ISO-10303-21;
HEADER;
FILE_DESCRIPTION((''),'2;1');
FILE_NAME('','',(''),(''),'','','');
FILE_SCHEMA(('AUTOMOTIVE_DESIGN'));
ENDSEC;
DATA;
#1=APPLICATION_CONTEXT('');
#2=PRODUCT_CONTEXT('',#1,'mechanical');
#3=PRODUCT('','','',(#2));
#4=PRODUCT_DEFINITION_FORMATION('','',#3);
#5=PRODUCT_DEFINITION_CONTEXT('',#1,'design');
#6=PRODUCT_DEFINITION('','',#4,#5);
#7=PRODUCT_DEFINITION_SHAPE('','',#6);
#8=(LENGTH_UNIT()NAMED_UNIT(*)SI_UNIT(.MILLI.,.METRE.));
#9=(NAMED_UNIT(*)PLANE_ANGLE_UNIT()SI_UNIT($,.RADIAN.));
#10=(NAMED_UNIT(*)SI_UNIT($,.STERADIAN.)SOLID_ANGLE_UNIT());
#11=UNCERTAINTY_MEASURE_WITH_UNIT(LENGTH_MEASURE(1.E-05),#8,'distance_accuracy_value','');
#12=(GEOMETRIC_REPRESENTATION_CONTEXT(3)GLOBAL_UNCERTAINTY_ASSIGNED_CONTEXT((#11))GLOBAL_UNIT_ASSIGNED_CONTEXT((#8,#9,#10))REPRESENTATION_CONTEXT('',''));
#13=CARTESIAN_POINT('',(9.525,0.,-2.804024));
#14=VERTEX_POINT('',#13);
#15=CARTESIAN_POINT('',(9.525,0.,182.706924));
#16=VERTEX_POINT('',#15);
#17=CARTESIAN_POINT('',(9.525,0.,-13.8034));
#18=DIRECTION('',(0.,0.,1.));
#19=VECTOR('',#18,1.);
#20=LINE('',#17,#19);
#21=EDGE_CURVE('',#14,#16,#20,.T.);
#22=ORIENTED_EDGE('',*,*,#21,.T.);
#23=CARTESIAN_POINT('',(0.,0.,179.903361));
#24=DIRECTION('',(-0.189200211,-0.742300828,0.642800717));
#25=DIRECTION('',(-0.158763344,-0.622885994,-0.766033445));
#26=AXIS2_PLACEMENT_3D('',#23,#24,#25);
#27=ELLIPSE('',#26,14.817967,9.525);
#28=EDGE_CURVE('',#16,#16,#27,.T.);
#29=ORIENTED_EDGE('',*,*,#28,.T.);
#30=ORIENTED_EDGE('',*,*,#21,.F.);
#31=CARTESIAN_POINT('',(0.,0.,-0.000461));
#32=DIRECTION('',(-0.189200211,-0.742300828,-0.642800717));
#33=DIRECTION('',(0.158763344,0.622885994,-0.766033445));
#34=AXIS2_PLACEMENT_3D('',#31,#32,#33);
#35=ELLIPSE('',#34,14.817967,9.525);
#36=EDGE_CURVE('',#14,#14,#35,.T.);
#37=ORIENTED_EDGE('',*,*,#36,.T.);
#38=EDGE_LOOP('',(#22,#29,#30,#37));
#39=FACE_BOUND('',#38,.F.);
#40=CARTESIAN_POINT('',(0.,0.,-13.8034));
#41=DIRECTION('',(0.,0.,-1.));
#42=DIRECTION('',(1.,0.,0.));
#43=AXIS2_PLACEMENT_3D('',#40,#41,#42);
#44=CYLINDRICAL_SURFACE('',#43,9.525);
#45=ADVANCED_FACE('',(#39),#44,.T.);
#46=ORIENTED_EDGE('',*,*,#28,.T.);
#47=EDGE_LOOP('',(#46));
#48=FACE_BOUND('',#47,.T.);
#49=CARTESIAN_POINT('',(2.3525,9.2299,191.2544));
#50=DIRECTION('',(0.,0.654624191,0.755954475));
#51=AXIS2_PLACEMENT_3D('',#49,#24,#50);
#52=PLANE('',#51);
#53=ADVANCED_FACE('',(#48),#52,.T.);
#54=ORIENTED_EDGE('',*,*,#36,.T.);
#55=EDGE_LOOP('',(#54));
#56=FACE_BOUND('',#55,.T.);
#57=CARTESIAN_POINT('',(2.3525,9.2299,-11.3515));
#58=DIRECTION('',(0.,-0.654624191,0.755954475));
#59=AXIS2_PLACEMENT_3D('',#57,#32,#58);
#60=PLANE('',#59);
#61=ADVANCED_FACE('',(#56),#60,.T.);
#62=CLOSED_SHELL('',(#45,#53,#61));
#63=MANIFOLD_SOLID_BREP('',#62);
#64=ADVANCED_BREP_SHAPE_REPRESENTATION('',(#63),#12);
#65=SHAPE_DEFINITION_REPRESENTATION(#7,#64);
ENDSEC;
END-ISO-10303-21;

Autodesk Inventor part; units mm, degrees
ref_plane "Start Plane" through (0, 0, -13.8034) normal (0, 0, 1) x (1, 0, 0)
ref_plane "End Plane" through (0, 0, 193.7064) normal (0, 0, 1) x (1, 0, 0)
sketch "Sketch" plane through (0, 0, 0) normal (0, 0, 1) x (1, 0, 0)
  circle A0 centre (0, 0) radius 9.525
  dimension "d0" = 19.05
extrude "Body" add sketch "Sketch" along normal up to surface (207.5098 mm away) from surface at -13.8034
sketch "Sketch2" plane through (0, 0, 0) normal (0, 0, 1) x (1, 0, 0)
  line L0 (0, 0) -> (10, 0)
ref_plane "Work Plane3" through (0, 0, 0) normal (0, -1, 0) x (1, 0, 0)
ref_plane "Work Plane4" through (2.3525, 9.2299, 191.2544) normal (-0.1892, -0.7423, 0.6428) x (0.9782, -0.0855, 0.1892)
split "Split1" plane through (2.3525, 9.2299, 191.2544) removes the side toward (-0.1892, -0.7423, 0.6428)
ref_plane "Work Plane5" through (2.3525, 9.2299, -11.3515) normal (-0.1892, -0.7423, -0.6428) x (0.8998, -0.3932, 0.1892)
split "Split2" plane through (2.3525, 9.2299, -11.3515) removes the side toward (-0.1892, -0.7423, -0.6428)
sketch "Sketch3" plane through (0, 0, 0) normal (0, -1, 0) x (1, 0, 0)
  line L0 (-2, -13.8034) -> (12, -13.8034) projected
  line L1 (-2, 193.7064) -> (12, 193.7064) projected
  dimension "d7" = 207.5098
equation "\"d0\" = Diam"
equation "\"d1\" = G_L"
equation "\"Diam\" = 19.05"
equation "\"G_L\" = 202.60588"
equation "\"G_OFFSET_START\" = 13.80341"
equation "\"G_OFFSET_END\" = 13.80341"
equation "\"d4\" = -G_OFFSET_START"
equation "\"d5\" = G_OFFSET_END + B_L"
equation "\"B_L\" = 179.90298"
properties part number "ANSI/AISC Rolled Steel - 3/4-7.977, RB" material "Steel, Mild"
